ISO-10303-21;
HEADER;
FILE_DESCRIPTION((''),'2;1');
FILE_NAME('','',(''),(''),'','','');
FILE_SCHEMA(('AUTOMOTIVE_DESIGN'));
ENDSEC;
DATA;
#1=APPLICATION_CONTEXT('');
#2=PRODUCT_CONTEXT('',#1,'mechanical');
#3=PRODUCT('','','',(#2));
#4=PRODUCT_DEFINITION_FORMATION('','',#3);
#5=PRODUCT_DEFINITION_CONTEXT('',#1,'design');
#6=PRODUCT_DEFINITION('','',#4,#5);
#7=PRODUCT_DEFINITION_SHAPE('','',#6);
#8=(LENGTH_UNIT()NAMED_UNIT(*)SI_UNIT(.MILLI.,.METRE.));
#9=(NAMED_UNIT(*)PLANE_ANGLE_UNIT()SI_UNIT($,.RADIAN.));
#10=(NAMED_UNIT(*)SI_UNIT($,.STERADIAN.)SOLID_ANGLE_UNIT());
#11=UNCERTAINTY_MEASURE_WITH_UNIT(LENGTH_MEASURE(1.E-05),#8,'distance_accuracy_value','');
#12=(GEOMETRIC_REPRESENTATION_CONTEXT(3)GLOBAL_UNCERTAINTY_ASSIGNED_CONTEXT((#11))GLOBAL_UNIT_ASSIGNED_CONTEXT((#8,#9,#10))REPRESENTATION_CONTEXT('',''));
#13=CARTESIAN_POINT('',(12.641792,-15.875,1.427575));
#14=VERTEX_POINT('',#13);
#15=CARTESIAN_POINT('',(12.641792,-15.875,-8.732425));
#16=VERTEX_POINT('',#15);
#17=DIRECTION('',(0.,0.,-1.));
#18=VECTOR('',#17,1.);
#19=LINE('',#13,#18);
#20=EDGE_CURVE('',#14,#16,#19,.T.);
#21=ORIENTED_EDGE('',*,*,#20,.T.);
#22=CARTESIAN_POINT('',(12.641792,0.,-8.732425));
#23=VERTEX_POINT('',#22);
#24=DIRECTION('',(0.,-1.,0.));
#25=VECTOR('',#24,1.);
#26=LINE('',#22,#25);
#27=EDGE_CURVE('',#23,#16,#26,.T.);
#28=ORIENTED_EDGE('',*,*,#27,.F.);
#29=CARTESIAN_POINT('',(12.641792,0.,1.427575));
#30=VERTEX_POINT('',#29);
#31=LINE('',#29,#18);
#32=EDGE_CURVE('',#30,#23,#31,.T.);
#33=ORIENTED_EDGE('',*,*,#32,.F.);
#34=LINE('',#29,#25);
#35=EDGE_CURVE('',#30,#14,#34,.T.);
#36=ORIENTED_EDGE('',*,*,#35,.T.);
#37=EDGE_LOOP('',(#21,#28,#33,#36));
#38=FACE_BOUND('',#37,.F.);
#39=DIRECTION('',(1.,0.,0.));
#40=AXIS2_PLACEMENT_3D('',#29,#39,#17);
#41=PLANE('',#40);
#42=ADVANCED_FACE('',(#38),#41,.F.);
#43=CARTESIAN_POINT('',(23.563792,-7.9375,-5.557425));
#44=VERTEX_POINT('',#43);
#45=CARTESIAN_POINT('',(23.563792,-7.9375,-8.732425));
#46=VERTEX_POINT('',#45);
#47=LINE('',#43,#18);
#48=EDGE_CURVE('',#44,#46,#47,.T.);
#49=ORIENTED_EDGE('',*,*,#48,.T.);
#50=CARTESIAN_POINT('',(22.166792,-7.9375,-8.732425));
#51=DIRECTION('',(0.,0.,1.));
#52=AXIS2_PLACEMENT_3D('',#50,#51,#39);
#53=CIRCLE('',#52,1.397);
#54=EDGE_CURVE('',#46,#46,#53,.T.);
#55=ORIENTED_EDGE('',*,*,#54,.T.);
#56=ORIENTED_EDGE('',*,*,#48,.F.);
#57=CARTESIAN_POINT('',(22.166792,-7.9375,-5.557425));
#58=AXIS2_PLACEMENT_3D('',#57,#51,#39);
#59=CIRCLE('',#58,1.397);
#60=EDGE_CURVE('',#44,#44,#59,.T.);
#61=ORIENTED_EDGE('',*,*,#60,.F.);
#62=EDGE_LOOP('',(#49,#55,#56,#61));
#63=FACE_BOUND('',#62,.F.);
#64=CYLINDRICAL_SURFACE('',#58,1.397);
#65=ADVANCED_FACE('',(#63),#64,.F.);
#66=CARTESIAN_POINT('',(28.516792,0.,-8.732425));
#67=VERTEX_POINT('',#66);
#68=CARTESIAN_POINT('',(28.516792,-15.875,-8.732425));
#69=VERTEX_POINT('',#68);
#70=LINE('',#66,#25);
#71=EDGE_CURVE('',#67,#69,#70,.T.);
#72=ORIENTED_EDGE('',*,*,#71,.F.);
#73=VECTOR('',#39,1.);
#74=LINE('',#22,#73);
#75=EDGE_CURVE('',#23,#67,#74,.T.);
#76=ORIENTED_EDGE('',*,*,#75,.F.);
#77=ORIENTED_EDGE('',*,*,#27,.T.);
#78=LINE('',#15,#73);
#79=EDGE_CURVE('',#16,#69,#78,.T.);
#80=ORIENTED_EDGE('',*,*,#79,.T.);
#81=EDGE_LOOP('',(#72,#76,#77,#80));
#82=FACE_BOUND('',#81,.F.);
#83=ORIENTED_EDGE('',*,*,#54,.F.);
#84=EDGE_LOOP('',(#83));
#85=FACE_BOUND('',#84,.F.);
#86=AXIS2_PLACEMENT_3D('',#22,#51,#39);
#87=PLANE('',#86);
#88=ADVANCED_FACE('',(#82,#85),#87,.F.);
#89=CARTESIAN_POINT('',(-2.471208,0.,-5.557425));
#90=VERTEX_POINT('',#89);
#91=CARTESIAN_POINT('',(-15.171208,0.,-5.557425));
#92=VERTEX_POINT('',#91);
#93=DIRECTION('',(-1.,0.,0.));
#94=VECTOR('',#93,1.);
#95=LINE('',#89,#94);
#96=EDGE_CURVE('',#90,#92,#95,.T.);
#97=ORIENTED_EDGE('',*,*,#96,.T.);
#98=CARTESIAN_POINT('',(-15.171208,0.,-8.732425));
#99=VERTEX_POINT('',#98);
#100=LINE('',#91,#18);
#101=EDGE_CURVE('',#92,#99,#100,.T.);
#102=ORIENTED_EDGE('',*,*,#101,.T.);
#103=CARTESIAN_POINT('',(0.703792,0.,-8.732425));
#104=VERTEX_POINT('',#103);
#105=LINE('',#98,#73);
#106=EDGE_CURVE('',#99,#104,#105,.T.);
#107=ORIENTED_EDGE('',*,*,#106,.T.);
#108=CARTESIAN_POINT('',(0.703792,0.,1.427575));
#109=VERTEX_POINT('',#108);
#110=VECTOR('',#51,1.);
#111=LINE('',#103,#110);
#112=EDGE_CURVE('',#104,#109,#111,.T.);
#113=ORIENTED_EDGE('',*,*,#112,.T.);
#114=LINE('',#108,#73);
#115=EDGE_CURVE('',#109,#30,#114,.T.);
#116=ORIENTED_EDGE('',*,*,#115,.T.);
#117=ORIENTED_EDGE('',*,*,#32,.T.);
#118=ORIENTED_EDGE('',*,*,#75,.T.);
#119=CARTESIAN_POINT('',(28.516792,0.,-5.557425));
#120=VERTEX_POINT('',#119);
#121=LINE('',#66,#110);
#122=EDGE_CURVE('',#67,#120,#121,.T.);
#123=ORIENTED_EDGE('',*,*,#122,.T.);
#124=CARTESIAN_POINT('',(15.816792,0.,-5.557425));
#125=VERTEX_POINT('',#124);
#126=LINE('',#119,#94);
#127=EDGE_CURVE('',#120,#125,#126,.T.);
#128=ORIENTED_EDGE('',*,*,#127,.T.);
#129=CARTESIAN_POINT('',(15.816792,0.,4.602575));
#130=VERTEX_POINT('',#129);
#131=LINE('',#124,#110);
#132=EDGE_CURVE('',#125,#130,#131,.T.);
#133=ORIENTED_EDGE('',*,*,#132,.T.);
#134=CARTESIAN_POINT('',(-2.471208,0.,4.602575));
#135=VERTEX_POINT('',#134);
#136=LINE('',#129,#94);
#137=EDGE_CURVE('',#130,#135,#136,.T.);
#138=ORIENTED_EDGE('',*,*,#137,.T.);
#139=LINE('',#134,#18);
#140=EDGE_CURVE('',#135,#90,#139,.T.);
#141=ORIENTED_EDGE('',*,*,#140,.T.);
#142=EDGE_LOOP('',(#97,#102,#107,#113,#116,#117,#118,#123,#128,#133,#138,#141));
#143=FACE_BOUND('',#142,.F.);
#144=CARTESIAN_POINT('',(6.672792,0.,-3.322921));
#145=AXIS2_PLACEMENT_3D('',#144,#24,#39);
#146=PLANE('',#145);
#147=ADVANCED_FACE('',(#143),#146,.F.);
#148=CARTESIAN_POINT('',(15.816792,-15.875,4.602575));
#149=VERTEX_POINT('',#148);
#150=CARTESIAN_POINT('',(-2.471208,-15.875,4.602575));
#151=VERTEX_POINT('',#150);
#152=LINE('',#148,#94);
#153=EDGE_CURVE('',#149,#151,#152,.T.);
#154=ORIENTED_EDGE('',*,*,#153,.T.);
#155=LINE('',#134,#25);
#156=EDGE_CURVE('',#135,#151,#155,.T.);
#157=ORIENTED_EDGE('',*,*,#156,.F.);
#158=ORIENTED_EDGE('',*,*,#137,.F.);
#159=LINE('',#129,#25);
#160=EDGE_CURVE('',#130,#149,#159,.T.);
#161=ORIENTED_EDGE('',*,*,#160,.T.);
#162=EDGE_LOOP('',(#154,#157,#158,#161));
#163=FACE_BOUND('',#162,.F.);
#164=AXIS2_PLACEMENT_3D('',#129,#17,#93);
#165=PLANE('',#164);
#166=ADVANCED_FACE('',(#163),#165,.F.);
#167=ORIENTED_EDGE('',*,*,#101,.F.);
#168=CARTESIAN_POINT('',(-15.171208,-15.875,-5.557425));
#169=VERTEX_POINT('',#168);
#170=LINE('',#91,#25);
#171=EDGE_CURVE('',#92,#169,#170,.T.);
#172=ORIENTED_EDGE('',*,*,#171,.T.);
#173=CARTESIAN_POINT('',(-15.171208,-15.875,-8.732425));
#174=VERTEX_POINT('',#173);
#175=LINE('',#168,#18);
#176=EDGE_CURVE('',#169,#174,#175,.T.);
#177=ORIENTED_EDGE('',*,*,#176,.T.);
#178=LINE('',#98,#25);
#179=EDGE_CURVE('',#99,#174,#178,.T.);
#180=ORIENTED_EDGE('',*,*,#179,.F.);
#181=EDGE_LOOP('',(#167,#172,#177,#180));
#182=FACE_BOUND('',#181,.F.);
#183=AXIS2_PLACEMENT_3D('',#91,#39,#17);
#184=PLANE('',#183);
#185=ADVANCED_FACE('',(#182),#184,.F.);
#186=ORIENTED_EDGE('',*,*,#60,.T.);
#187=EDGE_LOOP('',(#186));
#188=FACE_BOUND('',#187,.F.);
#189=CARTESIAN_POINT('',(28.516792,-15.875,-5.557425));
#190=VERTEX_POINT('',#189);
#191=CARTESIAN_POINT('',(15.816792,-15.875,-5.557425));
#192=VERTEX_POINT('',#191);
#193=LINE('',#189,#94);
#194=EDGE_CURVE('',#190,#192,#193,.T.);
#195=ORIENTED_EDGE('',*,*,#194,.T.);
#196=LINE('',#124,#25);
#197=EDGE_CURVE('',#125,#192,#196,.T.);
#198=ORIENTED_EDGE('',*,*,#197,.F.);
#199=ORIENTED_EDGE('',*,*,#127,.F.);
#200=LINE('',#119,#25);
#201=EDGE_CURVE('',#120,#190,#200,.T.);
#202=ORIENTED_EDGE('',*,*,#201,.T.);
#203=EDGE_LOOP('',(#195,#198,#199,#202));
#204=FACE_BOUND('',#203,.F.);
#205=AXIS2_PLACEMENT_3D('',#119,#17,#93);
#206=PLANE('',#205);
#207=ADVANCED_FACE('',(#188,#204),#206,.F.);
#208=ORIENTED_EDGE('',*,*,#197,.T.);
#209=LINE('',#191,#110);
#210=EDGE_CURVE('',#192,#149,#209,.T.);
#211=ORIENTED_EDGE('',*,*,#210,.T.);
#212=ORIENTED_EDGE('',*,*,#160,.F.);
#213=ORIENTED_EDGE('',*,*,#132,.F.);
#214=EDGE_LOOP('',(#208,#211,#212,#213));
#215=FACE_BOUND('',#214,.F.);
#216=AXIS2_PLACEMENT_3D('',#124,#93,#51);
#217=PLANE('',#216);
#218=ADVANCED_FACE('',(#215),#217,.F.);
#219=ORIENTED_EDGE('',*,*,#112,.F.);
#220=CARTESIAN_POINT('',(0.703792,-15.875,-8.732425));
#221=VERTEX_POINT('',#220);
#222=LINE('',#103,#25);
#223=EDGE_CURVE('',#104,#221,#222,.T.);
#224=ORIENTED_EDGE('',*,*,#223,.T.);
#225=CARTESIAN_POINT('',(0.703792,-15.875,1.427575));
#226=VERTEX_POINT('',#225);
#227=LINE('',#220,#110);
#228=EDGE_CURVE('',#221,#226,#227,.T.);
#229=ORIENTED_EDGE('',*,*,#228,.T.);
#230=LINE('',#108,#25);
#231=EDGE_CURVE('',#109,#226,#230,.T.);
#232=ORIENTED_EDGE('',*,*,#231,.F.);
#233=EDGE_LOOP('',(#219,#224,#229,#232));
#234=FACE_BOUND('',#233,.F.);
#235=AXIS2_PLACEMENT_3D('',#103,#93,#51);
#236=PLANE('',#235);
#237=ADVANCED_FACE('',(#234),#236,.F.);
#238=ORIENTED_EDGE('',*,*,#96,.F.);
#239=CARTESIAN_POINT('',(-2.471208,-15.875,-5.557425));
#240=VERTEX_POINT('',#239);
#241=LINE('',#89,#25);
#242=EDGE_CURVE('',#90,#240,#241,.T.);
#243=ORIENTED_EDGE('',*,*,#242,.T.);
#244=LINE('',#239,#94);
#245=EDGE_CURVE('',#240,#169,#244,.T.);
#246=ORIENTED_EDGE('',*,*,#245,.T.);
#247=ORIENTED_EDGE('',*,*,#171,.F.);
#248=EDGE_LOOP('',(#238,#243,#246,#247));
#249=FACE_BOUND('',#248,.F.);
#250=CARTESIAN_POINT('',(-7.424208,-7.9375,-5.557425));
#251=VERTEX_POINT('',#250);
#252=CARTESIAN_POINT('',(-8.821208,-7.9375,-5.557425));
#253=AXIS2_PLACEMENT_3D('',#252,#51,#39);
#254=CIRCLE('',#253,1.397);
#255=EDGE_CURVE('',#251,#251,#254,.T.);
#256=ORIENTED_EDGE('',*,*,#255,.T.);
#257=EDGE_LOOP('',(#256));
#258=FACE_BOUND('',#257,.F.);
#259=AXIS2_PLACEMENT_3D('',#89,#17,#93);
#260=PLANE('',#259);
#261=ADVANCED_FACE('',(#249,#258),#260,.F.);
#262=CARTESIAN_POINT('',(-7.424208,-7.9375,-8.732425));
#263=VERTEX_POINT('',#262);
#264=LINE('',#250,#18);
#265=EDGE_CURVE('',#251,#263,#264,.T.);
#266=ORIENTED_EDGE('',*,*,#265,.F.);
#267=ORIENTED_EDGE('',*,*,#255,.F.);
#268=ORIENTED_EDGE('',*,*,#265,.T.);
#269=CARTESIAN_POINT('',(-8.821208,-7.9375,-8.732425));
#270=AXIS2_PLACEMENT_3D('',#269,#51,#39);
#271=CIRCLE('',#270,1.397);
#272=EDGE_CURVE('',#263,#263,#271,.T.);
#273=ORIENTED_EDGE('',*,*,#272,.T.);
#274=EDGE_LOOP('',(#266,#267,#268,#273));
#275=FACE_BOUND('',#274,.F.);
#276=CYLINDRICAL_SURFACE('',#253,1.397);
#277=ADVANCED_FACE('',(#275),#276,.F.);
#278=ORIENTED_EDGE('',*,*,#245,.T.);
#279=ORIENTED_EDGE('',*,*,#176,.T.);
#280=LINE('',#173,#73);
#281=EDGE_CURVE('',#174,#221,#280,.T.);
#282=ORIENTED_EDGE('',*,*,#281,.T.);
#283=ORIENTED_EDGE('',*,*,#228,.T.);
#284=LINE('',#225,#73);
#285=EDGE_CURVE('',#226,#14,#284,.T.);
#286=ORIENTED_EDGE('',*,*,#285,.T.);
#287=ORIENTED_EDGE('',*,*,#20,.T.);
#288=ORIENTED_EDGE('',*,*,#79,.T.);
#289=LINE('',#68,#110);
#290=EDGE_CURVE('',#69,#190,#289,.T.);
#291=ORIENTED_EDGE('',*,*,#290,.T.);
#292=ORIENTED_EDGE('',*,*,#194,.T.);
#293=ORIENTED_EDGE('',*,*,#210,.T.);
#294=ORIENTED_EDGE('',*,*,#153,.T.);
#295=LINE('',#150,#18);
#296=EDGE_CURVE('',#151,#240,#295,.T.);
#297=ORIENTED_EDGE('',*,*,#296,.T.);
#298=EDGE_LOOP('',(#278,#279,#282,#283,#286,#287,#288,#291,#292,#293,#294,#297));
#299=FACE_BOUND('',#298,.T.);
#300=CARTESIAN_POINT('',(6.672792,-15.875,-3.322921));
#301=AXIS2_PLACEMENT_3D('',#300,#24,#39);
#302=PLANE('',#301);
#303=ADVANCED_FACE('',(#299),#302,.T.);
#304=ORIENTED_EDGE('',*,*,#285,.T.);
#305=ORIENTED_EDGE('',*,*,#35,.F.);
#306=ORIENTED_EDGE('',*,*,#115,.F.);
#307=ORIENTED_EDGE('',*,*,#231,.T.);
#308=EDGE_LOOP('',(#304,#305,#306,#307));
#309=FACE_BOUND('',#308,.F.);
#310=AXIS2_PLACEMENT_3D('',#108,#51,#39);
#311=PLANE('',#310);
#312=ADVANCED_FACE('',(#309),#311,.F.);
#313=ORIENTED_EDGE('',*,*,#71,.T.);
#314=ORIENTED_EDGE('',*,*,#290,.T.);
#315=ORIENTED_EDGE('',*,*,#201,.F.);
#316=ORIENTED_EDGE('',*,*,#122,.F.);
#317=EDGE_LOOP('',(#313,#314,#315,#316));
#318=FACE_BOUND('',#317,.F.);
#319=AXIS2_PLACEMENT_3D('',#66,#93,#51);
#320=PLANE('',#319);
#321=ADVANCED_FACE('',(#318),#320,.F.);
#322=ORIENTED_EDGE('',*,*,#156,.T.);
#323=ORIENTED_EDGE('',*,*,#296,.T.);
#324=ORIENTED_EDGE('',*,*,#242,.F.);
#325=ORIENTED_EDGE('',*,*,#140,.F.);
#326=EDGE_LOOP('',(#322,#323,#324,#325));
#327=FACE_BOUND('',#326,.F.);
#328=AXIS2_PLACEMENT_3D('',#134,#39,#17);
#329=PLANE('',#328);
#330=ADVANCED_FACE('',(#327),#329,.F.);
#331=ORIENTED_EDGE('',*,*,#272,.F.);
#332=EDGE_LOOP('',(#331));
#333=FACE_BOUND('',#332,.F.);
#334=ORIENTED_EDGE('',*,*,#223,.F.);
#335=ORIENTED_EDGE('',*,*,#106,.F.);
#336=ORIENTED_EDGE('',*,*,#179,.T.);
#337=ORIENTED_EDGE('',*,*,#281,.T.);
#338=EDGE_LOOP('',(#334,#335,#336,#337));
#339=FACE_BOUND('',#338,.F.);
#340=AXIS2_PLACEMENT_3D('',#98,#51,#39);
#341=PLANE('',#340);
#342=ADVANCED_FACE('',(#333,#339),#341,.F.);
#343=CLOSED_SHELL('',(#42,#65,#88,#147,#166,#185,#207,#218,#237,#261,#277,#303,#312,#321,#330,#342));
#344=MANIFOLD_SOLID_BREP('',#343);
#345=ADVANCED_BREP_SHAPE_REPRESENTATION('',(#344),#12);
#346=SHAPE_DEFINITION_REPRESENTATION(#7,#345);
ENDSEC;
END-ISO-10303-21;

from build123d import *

# Parameters (mm, degrees)
F1_DEPTH = 15.875
F2_R     = 1.397
F3_DEPTH = 25.4


with BuildPart() as f1:
    # F0 (on Front) → F1 (new body)
    with BuildSketch(Plane.XZ):
        Polygon((0.703792, -5.557425), (0.703792, 1.427575), (12.641792, 1.427575), (12.641792, -5.557425), (12.641792, -8.732425), (28.516792, -8.732425), (28.516792, -5.557425), (15.816792, -5.557425), (15.816792, 4.602575), (-2.471208, 4.602575), (-2.471208, 0), (-2.471208, -5.557425), (-15.171208, -5.557425), (-15.171208, -8.732425), (-2.471208, -8.732425), (0.703792, -8.732425), align=None)
    extrude(amount=F1_DEPTH)

    # F2 (on face) → F3 (cut)
    with BuildSketch(Plane.XY.offset(-5.557425)):
        with Locations((-8.821208, -7.9375)):
            Circle(F2_R)
        with Locations((22.166792, -7.9375)):
            Circle(F2_R)
    extrude(amount=-F3_DEPTH, mode=Mode.SUBTRACT)


solid = f1.part
